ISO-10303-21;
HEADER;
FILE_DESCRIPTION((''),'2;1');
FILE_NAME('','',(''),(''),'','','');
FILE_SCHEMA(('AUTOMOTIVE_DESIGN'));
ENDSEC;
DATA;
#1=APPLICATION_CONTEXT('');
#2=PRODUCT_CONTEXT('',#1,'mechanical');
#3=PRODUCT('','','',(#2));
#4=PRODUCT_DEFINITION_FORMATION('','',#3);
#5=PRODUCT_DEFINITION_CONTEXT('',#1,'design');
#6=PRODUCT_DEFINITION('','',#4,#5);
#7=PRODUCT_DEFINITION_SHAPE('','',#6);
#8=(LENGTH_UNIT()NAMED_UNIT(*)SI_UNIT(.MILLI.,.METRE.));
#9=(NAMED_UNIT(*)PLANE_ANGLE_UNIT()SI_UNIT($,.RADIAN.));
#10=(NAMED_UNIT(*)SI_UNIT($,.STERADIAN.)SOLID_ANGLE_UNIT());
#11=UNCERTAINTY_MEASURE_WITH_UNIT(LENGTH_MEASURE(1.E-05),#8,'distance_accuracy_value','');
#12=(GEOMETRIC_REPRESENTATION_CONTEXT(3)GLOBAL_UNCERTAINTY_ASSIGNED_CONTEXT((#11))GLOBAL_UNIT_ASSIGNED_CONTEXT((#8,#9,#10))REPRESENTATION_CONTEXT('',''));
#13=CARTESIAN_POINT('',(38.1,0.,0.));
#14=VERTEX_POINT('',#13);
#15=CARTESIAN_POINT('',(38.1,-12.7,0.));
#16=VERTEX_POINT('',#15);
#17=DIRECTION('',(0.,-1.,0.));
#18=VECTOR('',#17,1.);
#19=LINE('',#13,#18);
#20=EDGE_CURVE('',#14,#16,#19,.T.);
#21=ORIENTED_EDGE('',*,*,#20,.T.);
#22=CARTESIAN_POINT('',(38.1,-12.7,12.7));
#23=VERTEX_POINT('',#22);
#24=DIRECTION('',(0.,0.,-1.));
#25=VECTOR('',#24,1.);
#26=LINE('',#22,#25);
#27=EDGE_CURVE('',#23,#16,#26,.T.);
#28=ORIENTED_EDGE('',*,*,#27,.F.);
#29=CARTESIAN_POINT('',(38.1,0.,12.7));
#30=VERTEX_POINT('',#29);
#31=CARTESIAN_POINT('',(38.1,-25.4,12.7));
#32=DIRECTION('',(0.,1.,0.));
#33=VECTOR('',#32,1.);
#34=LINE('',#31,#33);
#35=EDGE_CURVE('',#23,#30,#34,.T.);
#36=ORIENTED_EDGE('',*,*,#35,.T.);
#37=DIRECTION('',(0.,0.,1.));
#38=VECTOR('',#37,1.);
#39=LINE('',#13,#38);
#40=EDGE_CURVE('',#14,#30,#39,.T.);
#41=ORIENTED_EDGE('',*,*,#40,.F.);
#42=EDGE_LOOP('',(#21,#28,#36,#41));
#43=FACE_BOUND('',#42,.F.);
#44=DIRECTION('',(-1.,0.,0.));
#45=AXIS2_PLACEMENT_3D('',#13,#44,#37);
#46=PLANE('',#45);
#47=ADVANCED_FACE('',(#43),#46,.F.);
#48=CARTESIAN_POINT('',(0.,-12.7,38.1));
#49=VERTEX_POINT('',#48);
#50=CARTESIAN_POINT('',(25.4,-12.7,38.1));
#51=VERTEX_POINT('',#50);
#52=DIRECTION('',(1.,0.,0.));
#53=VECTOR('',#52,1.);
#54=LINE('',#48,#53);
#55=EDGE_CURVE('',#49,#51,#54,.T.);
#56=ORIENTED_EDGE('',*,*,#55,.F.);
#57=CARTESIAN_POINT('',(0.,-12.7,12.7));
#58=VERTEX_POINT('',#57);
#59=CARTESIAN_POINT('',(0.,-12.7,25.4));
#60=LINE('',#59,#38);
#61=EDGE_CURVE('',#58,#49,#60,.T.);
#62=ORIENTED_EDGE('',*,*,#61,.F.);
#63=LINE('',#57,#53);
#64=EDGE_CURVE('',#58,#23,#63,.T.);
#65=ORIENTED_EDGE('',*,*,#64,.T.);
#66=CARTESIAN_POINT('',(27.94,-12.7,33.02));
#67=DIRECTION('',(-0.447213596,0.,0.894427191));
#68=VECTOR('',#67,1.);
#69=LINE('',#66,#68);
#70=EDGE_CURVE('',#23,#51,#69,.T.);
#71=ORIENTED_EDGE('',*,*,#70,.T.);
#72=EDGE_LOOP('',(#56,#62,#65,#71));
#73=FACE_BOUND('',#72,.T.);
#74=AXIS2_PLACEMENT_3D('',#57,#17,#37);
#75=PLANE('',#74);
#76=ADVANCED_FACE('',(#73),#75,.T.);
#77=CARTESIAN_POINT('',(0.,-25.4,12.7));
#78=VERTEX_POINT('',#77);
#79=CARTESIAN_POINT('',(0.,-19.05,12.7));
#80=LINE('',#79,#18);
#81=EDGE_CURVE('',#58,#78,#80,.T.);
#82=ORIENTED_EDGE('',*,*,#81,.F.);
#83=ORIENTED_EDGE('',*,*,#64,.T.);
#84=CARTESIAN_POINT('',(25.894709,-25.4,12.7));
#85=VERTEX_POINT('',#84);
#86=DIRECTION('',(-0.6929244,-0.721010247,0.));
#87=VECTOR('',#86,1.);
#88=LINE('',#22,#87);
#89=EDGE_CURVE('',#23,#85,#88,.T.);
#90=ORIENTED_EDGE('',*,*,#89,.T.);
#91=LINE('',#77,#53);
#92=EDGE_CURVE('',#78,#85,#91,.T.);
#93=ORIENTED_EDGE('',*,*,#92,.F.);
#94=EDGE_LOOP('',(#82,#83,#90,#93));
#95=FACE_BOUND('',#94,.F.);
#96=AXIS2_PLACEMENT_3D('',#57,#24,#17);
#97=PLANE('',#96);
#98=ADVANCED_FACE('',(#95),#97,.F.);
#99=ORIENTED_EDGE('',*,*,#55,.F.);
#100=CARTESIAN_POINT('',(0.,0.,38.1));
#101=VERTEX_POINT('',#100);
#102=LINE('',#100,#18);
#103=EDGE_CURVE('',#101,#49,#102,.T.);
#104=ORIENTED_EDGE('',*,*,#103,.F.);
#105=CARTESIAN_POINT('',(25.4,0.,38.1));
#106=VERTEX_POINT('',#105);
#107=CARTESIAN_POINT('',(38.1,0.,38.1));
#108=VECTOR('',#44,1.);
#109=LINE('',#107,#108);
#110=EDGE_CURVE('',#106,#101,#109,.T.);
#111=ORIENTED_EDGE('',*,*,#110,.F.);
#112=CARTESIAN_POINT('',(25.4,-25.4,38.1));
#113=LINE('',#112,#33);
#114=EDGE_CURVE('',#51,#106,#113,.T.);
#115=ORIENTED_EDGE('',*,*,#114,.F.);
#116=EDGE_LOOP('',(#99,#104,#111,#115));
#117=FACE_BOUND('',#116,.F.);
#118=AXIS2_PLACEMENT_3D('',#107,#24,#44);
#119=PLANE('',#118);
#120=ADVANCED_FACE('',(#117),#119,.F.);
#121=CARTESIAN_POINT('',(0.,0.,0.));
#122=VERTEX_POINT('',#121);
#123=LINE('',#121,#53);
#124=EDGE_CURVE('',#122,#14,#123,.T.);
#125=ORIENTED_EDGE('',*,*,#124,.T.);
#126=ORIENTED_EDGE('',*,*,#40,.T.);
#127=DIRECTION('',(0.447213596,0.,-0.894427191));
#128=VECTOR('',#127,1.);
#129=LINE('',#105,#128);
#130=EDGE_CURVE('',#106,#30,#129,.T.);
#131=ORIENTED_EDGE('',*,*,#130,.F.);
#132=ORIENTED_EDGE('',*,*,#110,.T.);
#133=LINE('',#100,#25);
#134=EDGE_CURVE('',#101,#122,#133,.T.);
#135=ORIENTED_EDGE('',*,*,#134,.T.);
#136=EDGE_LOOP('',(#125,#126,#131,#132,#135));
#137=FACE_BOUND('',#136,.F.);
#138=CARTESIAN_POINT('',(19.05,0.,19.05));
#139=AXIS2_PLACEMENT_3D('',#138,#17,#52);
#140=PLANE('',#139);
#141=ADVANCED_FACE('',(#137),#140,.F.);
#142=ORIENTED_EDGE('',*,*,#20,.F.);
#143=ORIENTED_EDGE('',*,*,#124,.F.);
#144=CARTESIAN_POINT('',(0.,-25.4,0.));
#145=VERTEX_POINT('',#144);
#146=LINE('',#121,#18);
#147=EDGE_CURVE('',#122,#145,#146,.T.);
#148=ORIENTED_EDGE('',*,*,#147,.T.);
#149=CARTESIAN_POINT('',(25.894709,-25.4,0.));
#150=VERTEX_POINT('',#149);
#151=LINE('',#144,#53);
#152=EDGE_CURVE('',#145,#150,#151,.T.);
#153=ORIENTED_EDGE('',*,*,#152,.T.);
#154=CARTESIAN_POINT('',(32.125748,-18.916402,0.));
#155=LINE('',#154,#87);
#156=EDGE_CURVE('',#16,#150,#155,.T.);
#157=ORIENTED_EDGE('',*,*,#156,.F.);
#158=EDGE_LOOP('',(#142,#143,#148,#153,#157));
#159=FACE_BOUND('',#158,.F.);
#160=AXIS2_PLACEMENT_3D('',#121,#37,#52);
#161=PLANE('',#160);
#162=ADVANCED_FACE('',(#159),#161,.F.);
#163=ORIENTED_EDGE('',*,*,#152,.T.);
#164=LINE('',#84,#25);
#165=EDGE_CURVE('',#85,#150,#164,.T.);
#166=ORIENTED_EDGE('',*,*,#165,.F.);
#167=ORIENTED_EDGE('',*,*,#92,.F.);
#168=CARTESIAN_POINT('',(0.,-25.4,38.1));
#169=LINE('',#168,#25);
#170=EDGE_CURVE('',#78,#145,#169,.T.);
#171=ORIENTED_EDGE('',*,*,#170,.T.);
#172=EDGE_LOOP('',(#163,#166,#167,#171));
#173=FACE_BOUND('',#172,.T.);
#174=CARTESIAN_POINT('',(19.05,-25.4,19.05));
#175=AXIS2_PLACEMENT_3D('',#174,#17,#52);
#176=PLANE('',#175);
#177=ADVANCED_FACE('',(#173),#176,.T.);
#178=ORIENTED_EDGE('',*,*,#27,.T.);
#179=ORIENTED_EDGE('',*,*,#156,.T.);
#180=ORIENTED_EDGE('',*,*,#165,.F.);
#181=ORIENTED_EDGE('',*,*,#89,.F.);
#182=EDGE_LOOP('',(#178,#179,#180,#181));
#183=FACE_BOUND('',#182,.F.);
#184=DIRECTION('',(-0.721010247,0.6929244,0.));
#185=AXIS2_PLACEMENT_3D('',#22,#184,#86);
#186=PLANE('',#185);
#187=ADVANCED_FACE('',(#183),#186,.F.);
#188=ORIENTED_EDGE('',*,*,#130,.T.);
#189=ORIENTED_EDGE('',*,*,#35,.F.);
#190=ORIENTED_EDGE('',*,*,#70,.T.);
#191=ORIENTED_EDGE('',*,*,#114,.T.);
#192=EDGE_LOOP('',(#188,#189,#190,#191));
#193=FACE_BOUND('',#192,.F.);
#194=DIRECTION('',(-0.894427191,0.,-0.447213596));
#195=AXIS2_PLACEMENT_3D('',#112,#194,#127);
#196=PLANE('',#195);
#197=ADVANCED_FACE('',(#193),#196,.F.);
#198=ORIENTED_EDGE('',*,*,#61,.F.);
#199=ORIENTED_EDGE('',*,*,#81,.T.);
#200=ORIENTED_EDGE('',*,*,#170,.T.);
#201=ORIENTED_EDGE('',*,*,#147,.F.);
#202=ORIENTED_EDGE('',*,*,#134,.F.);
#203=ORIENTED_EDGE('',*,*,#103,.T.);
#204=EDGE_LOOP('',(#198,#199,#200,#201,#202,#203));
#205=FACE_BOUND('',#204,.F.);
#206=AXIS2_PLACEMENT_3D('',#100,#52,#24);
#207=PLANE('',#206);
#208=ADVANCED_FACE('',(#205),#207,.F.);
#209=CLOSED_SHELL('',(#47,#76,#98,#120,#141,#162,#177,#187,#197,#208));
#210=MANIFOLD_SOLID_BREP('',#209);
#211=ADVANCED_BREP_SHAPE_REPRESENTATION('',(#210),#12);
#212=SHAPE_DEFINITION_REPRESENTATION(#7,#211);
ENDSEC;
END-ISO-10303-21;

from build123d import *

# Parameters (mm, degrees)
F2_DEPTH = 25.4
F4_DEPTH = 25.4
F5_W     = 12.7
F5_H     = 25.4
F6_DEPTH = 38.1
F8_DEPTH = 25.4


with BuildPart() as f2:
    # F1 (on face) → F2 (new body)
    with BuildSketch(Plane.XZ):
        Polygon((38.1, 38.1), (0, 38.1), (0, 0), (38.1, 0), (38.1, 13.111571), align=None)
    extrude(amount=F2_DEPTH)

    # F3 (on face) → F4 (cut)
    with BuildSketch(Plane.XZ.offset(25.4)):
        Polygon((25.4, 38.1), (38.1, 12.7), (38.1, 38.1), align=None)
    extrude(amount=-F4_DEPTH, mode=Mode.SUBTRACT)

    # F5 (on face) → F6 (cut)
    with BuildSketch(Plane(origin=(0, 0, 0), x_dir=(0, -1, 0), z_dir=(-1, 0, 0))):
        with Locations((19.05, 25.4)):
            Rectangle(F5_W, F5_H)
    extrude(amount=-F6_DEPTH, mode=Mode.SUBTRACT)

    # F7 (on face) → F8 (cut)
    with BuildSketch(Plane.XY.offset(12.7)):
        Polygon((38.1, -25.4), (38.1, -12.7), (25.894709, -25.4), align=None)
    extrude(amount=-F8_DEPTH, mode=Mode.SUBTRACT)


solid = f2.part
